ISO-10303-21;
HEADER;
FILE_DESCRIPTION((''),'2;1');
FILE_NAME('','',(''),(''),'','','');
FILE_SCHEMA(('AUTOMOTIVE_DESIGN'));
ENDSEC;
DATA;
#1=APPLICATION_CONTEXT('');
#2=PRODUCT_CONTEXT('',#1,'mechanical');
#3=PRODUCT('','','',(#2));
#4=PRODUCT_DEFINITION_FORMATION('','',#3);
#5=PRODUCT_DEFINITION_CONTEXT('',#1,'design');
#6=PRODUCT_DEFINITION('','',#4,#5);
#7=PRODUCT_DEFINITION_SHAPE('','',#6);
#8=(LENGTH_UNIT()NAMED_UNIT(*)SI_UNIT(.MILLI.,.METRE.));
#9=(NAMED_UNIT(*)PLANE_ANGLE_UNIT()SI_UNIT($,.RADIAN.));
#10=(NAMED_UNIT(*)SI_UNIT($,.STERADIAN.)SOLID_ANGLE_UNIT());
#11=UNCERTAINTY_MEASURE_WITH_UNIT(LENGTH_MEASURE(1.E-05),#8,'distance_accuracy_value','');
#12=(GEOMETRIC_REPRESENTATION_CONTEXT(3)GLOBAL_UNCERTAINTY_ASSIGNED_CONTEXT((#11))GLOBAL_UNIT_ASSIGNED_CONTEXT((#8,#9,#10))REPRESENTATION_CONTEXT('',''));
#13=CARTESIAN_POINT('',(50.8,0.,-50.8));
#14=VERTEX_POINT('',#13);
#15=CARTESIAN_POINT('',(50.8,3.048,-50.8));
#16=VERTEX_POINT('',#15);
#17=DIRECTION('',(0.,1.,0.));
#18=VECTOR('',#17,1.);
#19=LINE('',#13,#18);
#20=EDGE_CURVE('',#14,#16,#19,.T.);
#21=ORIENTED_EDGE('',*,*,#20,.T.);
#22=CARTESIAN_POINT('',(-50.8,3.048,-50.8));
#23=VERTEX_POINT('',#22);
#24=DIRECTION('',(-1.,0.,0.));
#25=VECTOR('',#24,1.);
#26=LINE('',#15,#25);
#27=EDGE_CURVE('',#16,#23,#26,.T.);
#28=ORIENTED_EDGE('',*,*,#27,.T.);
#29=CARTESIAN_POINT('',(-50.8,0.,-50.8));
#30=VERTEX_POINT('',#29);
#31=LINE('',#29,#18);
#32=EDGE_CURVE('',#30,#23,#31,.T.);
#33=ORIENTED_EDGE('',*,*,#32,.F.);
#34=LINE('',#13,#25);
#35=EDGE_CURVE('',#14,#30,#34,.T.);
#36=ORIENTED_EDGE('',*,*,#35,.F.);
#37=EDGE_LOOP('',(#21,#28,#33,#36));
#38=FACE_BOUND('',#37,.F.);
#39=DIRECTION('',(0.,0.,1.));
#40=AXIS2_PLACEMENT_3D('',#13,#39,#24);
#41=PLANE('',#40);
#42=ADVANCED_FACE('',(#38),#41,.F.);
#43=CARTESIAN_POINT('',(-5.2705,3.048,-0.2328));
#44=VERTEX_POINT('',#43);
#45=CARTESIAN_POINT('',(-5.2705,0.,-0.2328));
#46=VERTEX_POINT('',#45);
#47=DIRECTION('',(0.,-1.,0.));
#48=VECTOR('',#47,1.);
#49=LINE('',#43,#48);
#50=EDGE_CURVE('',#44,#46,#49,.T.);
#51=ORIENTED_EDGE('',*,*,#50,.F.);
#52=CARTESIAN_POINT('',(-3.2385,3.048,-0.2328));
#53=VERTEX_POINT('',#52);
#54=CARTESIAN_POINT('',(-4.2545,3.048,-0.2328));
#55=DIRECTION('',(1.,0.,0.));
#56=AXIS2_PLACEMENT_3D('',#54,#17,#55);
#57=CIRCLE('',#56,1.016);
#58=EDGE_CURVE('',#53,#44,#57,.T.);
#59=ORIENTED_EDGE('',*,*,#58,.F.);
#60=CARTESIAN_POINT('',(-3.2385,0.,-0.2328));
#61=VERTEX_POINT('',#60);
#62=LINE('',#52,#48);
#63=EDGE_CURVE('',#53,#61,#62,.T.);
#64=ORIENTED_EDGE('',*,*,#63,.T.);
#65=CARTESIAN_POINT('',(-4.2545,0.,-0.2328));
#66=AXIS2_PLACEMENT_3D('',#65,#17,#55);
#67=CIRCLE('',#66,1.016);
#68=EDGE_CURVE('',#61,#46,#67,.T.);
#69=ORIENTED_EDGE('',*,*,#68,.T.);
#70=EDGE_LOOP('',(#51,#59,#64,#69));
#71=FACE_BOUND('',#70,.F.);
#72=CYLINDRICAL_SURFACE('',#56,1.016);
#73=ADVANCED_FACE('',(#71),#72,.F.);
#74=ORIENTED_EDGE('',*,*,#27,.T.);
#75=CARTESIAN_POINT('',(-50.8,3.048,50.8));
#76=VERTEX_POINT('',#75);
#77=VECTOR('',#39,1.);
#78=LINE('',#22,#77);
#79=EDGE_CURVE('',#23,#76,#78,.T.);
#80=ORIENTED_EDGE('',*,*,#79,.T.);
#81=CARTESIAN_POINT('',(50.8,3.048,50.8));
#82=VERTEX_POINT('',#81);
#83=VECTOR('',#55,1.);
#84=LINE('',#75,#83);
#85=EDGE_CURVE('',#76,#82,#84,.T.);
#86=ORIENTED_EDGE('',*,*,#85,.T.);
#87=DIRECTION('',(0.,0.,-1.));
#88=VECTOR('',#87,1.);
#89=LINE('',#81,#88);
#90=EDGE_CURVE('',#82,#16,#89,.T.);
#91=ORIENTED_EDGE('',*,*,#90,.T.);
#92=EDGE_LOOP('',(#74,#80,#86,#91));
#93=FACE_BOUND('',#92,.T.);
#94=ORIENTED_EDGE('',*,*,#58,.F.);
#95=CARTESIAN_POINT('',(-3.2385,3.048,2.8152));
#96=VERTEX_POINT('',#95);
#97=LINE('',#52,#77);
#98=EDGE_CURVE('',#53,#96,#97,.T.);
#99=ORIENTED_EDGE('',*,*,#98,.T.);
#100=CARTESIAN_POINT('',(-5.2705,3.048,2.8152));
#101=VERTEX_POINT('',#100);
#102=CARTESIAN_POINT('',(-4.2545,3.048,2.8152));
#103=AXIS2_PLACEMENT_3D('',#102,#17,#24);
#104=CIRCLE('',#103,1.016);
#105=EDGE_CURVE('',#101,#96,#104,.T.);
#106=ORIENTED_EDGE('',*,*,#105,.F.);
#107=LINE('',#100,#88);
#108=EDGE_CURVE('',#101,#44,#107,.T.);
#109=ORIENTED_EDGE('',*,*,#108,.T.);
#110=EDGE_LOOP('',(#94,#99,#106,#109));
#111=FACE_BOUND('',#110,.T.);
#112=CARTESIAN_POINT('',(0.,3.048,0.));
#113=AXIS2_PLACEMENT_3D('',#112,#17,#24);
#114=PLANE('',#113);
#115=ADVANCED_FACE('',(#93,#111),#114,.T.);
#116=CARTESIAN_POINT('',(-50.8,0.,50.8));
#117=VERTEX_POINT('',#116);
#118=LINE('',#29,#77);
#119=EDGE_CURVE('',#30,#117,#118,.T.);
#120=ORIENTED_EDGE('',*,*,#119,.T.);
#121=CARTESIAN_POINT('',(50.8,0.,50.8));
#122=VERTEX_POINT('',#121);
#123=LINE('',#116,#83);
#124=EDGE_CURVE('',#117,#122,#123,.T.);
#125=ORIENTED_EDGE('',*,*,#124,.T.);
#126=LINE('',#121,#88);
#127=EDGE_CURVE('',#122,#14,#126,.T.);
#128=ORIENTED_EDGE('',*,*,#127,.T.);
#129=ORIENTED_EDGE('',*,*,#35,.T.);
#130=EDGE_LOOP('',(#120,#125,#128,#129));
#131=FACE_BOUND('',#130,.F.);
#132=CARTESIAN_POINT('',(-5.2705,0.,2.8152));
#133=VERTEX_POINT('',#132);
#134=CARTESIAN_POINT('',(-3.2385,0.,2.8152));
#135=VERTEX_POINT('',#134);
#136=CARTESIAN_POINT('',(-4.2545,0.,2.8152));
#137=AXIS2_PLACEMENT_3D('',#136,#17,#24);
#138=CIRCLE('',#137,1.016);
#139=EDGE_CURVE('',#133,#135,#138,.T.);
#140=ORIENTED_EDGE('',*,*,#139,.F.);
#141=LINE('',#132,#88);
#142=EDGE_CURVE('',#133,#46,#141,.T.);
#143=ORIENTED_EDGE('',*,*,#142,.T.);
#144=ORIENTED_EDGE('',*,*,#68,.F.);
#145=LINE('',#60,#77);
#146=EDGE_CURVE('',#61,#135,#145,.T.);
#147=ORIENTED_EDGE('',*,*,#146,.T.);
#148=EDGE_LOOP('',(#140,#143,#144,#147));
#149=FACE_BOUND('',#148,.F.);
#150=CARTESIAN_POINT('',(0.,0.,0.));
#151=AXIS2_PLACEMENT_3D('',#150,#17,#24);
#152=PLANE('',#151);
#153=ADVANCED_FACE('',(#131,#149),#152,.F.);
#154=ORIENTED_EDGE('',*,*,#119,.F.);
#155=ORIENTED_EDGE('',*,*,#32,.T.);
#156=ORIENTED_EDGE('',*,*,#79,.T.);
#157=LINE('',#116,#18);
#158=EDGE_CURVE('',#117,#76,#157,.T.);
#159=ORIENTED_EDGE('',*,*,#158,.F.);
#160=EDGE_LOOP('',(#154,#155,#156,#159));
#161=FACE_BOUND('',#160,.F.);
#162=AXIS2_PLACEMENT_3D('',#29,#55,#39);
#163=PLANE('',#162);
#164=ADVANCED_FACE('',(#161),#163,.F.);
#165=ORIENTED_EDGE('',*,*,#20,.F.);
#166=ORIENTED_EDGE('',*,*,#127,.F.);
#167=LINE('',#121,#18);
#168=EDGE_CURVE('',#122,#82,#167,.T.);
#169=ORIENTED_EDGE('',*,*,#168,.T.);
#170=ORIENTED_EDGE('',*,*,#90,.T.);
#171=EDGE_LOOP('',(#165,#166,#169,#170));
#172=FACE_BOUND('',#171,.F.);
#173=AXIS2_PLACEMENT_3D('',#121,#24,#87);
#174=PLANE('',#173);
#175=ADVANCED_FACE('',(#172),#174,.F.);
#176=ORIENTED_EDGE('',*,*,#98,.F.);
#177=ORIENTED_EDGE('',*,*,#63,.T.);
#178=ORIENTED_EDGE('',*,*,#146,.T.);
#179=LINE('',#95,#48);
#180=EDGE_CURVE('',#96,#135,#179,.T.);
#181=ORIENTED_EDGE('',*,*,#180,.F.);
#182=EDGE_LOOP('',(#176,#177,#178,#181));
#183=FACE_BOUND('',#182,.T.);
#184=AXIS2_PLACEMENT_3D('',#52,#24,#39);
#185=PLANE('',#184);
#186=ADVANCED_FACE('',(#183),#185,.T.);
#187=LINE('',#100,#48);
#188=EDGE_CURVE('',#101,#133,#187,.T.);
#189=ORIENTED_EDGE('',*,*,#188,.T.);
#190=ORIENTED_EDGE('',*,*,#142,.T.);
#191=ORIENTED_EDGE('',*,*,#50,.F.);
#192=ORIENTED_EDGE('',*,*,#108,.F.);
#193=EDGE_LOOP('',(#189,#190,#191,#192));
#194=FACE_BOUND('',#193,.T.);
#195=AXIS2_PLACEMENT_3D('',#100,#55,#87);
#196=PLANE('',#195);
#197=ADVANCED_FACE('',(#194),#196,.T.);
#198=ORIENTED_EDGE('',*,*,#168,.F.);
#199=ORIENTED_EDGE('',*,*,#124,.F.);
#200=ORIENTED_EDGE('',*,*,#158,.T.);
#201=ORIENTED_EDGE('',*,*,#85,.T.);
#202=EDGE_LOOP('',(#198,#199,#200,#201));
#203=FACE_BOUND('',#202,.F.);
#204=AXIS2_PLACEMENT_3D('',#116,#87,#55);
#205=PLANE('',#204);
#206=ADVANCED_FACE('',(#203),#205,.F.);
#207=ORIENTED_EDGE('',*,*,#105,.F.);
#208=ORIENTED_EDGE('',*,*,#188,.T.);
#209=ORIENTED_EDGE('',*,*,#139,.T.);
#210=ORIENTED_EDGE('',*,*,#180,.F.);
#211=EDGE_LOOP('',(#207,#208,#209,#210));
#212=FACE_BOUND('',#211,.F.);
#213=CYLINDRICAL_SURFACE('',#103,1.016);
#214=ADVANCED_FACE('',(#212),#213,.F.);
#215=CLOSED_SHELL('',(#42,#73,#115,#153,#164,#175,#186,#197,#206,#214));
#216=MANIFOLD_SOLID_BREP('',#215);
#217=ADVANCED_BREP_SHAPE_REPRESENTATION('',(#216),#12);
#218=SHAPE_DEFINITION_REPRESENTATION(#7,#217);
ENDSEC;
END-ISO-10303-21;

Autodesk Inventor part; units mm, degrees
ref_plane "YZ Plane" through (0, 0, 0) normal (1, 0, 0) x (0, 1, 0)
ref_plane "XZ Plane" through (0, 0, 0) normal (0, 1, 0) x (-1, 0, 0)
ref_plane "XY Plane" through (0, 0, 0) normal (0, 0, 1) x (1, 0, 0)
sketch "Sketch1" plane through (0, 0, 0) normal (0, 1, 0) x (-1, 0, 0)
  line L0 (50.8, 50.8) -> (-50.8, 50.8)
  line L1 (-50.8, 50.8) -> (-50.8, -50.8)
  line L2 (-50.8, -50.8) -> (50.8, -50.8)
  line L3 (50.8, -50.8) -> (50.8, 50.8)
  line L4 (50.8, 50.8) -> (-50.8, -50.8) construction
  line L5 (-50.8, 50.8) -> (50.8, -50.8) construction
  point P0 (0, 0)
  dimension "d0" = 101.6
  dimension "d1" = 101.6
extrude "Plate1" add sketch "Sketch1" along normal blind 3.048
sketch "Sketch2" plane through (0, 3.048, 0) normal (0, 1, 0) x (1, 0, 0)
  line L0 (-4.2545, -2.8152) -> (-4.2545, 0.2328) construction
  line L1 (-5.2705, -2.8152) -> (-5.2705, 0.2328)
  line L2 (-3.2385, 0.2328) -> (-3.2385, -2.8152)
  arc A0 (-5.2705, -2.8152) -> (-3.2385, -2.8152) centre (-4.2545, -2.8152) ccw
  arc A1 (-3.2385, 0.2328) -> (-5.2705, 0.2328) centre (-4.2545, 0.2328) ccw
  point P0 (0, 0)
  point P1 (-4.2545, -1.2912)
  point P2 (-4.2545, -1.2912)
  dimension "d3" = 1.016
  dimension "d4" = 3.048
extrude "Cut1" cut sketch "Sketch2" against normal blind 3.048
equation "\"d3\" = Diameter"
equation "\"d4\" = Length"
equation "\"d5\" = Thickness"
equation "\"BendRadius\" = Thickness"
equation "\"BendReliefWidth\" = Thickness"
equation "\"BendReliefDepth\" = 0.5 * Thickness"
equation "\"CornerReliefSize\" = 4 * Thickness"
equation "\"MinimumRemnant\" = 2 * Thickness"
equation "\"TransitionRadius\" = BendRadius"
equation "\"JacobiRadiusSize\" = BendRadius"
equation "\"GapSize\" = Thickness"
equation "\"d2\" = BendRadius"
equation "\"Diameter\" = 1.016"
equation "\"Length\" = 3.048"
equation "\"Thickness\" = 3.048"
properties part number "Custom slot"
